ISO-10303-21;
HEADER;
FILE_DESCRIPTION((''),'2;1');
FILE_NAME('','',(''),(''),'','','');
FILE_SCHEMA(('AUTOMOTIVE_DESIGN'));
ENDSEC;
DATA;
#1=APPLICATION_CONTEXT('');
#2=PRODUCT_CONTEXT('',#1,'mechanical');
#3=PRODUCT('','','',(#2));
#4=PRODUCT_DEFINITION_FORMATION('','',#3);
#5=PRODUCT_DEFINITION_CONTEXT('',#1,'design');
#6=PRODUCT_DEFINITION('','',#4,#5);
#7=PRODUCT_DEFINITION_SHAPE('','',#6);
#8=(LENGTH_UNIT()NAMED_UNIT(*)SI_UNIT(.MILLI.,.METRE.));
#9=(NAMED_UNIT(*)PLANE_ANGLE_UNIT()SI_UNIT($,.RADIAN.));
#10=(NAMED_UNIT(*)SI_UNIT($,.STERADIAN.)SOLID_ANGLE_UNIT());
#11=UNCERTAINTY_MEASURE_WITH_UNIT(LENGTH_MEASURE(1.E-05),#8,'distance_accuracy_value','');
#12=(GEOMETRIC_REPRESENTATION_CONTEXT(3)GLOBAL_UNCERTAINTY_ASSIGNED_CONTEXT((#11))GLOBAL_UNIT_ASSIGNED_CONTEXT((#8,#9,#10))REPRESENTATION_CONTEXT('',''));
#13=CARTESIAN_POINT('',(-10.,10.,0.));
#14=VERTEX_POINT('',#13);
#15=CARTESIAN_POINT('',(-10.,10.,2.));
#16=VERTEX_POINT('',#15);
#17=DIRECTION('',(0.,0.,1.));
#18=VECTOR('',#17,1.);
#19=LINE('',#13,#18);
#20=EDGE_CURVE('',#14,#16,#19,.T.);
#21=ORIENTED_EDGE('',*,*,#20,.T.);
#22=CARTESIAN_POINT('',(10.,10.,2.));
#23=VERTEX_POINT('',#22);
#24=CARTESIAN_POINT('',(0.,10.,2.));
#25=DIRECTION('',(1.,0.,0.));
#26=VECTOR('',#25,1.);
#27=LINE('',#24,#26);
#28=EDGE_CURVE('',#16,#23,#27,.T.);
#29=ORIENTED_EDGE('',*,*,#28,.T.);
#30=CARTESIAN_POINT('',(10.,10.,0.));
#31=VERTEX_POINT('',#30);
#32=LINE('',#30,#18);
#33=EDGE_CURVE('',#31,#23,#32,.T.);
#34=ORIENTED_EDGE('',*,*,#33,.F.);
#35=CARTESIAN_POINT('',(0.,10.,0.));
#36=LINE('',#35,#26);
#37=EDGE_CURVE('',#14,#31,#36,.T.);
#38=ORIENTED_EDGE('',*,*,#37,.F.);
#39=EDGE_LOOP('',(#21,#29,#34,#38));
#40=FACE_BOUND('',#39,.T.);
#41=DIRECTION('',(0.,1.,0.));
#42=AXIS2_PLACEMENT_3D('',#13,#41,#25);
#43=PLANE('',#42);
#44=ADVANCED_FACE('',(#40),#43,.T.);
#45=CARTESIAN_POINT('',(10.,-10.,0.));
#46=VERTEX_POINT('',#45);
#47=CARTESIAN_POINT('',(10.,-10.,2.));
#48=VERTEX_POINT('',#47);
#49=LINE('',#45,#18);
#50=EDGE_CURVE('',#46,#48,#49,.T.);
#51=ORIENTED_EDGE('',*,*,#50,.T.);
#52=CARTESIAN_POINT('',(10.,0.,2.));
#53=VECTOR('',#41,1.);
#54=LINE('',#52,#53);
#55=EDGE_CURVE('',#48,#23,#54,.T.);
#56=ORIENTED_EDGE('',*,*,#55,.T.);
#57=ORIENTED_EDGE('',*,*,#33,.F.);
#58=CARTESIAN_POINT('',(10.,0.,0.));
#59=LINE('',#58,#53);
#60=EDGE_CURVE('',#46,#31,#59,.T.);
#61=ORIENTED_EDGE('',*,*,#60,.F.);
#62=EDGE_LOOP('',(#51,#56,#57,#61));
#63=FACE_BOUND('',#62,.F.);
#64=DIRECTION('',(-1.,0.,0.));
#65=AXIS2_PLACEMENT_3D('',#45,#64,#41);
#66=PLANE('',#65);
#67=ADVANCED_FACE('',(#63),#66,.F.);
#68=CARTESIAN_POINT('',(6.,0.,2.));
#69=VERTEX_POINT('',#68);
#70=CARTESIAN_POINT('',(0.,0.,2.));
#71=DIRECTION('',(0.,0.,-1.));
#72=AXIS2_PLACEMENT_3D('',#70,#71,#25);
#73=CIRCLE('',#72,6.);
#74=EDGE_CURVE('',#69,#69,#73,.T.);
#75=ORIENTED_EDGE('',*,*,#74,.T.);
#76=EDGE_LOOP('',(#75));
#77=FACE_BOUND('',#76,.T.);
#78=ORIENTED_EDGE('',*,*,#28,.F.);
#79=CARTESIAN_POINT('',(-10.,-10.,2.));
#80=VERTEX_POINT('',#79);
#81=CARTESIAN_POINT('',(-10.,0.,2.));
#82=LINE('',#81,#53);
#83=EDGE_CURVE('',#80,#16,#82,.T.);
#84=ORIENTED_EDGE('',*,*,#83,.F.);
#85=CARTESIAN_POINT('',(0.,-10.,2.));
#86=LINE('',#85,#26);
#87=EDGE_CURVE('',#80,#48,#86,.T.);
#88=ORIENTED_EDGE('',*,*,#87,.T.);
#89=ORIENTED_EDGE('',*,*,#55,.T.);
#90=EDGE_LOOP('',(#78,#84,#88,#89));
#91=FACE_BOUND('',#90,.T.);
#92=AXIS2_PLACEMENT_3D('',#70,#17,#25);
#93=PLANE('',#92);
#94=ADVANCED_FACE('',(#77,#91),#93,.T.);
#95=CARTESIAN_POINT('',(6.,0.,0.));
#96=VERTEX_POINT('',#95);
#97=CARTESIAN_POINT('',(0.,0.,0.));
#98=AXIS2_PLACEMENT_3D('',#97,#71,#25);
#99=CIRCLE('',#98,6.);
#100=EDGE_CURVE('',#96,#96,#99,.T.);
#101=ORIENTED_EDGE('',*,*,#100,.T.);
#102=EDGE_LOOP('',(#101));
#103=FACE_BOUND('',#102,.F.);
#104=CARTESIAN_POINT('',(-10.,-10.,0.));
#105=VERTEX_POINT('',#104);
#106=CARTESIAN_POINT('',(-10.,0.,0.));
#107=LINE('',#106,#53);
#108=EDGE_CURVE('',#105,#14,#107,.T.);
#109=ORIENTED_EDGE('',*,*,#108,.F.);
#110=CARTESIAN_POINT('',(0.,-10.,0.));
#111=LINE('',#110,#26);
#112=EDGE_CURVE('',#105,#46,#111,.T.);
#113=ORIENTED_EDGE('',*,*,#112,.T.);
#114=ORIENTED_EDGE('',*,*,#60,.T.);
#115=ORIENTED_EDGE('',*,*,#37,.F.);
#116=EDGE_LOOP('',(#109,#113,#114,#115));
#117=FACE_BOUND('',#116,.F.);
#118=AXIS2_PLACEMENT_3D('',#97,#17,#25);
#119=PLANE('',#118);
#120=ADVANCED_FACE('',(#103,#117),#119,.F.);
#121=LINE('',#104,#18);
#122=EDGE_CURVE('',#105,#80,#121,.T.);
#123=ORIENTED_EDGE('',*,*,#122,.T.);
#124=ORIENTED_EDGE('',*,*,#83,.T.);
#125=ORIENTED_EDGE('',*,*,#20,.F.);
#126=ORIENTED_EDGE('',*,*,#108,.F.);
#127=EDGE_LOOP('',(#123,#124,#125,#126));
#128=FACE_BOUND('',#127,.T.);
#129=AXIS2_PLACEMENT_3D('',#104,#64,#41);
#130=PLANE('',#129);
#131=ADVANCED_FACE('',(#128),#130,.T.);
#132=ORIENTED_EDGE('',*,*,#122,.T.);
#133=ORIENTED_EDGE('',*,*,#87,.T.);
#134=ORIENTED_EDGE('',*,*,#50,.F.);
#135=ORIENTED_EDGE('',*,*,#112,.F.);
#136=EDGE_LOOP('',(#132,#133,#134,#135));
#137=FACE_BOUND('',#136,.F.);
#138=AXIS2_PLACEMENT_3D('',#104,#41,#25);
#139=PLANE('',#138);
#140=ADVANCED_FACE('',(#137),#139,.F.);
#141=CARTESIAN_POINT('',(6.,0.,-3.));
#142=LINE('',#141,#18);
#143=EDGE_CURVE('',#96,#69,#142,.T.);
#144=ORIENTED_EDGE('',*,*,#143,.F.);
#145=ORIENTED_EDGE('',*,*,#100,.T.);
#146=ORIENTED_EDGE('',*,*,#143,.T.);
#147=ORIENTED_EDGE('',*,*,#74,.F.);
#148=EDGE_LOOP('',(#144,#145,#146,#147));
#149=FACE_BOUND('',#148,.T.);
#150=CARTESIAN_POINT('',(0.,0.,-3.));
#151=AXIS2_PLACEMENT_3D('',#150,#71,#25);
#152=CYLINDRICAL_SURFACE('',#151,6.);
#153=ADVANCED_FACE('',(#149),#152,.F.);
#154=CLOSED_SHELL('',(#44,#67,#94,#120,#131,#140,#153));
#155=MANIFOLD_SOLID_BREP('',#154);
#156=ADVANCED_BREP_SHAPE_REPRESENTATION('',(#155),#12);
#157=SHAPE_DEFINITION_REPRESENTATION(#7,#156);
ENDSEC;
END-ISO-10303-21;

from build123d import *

# Parameters (mm, degrees)
CYLINDER_R     = 6
CYLINDER_DEPTH = 10
BOX_W          = 20
BOX_H          = 20
BOX_DEPTH      = 2


with BuildPart() as broca:
    # Cylinder → Cylinder (new body)
    with BuildSketch(Plane.XY.offset(-3)):
        Circle(CYLINDER_R)
    extrude(amount=CYLINDER_DEPTH)


with BuildPart() as taladro:
    # Box → Box (new body)
    with BuildSketch(Plane(origin=(-10, -10, 0), x_dir=(1, 0, 0), z_dir=(0, 0, 1))):
        with Locations((10, 10)):
            Rectangle(BOX_W, BOX_H)
    extrude(amount=BOX_DEPTH)

    # Cut: cut broca
    add(broca.part, mode=Mode.SUBTRACT)


solid = taladro.part
